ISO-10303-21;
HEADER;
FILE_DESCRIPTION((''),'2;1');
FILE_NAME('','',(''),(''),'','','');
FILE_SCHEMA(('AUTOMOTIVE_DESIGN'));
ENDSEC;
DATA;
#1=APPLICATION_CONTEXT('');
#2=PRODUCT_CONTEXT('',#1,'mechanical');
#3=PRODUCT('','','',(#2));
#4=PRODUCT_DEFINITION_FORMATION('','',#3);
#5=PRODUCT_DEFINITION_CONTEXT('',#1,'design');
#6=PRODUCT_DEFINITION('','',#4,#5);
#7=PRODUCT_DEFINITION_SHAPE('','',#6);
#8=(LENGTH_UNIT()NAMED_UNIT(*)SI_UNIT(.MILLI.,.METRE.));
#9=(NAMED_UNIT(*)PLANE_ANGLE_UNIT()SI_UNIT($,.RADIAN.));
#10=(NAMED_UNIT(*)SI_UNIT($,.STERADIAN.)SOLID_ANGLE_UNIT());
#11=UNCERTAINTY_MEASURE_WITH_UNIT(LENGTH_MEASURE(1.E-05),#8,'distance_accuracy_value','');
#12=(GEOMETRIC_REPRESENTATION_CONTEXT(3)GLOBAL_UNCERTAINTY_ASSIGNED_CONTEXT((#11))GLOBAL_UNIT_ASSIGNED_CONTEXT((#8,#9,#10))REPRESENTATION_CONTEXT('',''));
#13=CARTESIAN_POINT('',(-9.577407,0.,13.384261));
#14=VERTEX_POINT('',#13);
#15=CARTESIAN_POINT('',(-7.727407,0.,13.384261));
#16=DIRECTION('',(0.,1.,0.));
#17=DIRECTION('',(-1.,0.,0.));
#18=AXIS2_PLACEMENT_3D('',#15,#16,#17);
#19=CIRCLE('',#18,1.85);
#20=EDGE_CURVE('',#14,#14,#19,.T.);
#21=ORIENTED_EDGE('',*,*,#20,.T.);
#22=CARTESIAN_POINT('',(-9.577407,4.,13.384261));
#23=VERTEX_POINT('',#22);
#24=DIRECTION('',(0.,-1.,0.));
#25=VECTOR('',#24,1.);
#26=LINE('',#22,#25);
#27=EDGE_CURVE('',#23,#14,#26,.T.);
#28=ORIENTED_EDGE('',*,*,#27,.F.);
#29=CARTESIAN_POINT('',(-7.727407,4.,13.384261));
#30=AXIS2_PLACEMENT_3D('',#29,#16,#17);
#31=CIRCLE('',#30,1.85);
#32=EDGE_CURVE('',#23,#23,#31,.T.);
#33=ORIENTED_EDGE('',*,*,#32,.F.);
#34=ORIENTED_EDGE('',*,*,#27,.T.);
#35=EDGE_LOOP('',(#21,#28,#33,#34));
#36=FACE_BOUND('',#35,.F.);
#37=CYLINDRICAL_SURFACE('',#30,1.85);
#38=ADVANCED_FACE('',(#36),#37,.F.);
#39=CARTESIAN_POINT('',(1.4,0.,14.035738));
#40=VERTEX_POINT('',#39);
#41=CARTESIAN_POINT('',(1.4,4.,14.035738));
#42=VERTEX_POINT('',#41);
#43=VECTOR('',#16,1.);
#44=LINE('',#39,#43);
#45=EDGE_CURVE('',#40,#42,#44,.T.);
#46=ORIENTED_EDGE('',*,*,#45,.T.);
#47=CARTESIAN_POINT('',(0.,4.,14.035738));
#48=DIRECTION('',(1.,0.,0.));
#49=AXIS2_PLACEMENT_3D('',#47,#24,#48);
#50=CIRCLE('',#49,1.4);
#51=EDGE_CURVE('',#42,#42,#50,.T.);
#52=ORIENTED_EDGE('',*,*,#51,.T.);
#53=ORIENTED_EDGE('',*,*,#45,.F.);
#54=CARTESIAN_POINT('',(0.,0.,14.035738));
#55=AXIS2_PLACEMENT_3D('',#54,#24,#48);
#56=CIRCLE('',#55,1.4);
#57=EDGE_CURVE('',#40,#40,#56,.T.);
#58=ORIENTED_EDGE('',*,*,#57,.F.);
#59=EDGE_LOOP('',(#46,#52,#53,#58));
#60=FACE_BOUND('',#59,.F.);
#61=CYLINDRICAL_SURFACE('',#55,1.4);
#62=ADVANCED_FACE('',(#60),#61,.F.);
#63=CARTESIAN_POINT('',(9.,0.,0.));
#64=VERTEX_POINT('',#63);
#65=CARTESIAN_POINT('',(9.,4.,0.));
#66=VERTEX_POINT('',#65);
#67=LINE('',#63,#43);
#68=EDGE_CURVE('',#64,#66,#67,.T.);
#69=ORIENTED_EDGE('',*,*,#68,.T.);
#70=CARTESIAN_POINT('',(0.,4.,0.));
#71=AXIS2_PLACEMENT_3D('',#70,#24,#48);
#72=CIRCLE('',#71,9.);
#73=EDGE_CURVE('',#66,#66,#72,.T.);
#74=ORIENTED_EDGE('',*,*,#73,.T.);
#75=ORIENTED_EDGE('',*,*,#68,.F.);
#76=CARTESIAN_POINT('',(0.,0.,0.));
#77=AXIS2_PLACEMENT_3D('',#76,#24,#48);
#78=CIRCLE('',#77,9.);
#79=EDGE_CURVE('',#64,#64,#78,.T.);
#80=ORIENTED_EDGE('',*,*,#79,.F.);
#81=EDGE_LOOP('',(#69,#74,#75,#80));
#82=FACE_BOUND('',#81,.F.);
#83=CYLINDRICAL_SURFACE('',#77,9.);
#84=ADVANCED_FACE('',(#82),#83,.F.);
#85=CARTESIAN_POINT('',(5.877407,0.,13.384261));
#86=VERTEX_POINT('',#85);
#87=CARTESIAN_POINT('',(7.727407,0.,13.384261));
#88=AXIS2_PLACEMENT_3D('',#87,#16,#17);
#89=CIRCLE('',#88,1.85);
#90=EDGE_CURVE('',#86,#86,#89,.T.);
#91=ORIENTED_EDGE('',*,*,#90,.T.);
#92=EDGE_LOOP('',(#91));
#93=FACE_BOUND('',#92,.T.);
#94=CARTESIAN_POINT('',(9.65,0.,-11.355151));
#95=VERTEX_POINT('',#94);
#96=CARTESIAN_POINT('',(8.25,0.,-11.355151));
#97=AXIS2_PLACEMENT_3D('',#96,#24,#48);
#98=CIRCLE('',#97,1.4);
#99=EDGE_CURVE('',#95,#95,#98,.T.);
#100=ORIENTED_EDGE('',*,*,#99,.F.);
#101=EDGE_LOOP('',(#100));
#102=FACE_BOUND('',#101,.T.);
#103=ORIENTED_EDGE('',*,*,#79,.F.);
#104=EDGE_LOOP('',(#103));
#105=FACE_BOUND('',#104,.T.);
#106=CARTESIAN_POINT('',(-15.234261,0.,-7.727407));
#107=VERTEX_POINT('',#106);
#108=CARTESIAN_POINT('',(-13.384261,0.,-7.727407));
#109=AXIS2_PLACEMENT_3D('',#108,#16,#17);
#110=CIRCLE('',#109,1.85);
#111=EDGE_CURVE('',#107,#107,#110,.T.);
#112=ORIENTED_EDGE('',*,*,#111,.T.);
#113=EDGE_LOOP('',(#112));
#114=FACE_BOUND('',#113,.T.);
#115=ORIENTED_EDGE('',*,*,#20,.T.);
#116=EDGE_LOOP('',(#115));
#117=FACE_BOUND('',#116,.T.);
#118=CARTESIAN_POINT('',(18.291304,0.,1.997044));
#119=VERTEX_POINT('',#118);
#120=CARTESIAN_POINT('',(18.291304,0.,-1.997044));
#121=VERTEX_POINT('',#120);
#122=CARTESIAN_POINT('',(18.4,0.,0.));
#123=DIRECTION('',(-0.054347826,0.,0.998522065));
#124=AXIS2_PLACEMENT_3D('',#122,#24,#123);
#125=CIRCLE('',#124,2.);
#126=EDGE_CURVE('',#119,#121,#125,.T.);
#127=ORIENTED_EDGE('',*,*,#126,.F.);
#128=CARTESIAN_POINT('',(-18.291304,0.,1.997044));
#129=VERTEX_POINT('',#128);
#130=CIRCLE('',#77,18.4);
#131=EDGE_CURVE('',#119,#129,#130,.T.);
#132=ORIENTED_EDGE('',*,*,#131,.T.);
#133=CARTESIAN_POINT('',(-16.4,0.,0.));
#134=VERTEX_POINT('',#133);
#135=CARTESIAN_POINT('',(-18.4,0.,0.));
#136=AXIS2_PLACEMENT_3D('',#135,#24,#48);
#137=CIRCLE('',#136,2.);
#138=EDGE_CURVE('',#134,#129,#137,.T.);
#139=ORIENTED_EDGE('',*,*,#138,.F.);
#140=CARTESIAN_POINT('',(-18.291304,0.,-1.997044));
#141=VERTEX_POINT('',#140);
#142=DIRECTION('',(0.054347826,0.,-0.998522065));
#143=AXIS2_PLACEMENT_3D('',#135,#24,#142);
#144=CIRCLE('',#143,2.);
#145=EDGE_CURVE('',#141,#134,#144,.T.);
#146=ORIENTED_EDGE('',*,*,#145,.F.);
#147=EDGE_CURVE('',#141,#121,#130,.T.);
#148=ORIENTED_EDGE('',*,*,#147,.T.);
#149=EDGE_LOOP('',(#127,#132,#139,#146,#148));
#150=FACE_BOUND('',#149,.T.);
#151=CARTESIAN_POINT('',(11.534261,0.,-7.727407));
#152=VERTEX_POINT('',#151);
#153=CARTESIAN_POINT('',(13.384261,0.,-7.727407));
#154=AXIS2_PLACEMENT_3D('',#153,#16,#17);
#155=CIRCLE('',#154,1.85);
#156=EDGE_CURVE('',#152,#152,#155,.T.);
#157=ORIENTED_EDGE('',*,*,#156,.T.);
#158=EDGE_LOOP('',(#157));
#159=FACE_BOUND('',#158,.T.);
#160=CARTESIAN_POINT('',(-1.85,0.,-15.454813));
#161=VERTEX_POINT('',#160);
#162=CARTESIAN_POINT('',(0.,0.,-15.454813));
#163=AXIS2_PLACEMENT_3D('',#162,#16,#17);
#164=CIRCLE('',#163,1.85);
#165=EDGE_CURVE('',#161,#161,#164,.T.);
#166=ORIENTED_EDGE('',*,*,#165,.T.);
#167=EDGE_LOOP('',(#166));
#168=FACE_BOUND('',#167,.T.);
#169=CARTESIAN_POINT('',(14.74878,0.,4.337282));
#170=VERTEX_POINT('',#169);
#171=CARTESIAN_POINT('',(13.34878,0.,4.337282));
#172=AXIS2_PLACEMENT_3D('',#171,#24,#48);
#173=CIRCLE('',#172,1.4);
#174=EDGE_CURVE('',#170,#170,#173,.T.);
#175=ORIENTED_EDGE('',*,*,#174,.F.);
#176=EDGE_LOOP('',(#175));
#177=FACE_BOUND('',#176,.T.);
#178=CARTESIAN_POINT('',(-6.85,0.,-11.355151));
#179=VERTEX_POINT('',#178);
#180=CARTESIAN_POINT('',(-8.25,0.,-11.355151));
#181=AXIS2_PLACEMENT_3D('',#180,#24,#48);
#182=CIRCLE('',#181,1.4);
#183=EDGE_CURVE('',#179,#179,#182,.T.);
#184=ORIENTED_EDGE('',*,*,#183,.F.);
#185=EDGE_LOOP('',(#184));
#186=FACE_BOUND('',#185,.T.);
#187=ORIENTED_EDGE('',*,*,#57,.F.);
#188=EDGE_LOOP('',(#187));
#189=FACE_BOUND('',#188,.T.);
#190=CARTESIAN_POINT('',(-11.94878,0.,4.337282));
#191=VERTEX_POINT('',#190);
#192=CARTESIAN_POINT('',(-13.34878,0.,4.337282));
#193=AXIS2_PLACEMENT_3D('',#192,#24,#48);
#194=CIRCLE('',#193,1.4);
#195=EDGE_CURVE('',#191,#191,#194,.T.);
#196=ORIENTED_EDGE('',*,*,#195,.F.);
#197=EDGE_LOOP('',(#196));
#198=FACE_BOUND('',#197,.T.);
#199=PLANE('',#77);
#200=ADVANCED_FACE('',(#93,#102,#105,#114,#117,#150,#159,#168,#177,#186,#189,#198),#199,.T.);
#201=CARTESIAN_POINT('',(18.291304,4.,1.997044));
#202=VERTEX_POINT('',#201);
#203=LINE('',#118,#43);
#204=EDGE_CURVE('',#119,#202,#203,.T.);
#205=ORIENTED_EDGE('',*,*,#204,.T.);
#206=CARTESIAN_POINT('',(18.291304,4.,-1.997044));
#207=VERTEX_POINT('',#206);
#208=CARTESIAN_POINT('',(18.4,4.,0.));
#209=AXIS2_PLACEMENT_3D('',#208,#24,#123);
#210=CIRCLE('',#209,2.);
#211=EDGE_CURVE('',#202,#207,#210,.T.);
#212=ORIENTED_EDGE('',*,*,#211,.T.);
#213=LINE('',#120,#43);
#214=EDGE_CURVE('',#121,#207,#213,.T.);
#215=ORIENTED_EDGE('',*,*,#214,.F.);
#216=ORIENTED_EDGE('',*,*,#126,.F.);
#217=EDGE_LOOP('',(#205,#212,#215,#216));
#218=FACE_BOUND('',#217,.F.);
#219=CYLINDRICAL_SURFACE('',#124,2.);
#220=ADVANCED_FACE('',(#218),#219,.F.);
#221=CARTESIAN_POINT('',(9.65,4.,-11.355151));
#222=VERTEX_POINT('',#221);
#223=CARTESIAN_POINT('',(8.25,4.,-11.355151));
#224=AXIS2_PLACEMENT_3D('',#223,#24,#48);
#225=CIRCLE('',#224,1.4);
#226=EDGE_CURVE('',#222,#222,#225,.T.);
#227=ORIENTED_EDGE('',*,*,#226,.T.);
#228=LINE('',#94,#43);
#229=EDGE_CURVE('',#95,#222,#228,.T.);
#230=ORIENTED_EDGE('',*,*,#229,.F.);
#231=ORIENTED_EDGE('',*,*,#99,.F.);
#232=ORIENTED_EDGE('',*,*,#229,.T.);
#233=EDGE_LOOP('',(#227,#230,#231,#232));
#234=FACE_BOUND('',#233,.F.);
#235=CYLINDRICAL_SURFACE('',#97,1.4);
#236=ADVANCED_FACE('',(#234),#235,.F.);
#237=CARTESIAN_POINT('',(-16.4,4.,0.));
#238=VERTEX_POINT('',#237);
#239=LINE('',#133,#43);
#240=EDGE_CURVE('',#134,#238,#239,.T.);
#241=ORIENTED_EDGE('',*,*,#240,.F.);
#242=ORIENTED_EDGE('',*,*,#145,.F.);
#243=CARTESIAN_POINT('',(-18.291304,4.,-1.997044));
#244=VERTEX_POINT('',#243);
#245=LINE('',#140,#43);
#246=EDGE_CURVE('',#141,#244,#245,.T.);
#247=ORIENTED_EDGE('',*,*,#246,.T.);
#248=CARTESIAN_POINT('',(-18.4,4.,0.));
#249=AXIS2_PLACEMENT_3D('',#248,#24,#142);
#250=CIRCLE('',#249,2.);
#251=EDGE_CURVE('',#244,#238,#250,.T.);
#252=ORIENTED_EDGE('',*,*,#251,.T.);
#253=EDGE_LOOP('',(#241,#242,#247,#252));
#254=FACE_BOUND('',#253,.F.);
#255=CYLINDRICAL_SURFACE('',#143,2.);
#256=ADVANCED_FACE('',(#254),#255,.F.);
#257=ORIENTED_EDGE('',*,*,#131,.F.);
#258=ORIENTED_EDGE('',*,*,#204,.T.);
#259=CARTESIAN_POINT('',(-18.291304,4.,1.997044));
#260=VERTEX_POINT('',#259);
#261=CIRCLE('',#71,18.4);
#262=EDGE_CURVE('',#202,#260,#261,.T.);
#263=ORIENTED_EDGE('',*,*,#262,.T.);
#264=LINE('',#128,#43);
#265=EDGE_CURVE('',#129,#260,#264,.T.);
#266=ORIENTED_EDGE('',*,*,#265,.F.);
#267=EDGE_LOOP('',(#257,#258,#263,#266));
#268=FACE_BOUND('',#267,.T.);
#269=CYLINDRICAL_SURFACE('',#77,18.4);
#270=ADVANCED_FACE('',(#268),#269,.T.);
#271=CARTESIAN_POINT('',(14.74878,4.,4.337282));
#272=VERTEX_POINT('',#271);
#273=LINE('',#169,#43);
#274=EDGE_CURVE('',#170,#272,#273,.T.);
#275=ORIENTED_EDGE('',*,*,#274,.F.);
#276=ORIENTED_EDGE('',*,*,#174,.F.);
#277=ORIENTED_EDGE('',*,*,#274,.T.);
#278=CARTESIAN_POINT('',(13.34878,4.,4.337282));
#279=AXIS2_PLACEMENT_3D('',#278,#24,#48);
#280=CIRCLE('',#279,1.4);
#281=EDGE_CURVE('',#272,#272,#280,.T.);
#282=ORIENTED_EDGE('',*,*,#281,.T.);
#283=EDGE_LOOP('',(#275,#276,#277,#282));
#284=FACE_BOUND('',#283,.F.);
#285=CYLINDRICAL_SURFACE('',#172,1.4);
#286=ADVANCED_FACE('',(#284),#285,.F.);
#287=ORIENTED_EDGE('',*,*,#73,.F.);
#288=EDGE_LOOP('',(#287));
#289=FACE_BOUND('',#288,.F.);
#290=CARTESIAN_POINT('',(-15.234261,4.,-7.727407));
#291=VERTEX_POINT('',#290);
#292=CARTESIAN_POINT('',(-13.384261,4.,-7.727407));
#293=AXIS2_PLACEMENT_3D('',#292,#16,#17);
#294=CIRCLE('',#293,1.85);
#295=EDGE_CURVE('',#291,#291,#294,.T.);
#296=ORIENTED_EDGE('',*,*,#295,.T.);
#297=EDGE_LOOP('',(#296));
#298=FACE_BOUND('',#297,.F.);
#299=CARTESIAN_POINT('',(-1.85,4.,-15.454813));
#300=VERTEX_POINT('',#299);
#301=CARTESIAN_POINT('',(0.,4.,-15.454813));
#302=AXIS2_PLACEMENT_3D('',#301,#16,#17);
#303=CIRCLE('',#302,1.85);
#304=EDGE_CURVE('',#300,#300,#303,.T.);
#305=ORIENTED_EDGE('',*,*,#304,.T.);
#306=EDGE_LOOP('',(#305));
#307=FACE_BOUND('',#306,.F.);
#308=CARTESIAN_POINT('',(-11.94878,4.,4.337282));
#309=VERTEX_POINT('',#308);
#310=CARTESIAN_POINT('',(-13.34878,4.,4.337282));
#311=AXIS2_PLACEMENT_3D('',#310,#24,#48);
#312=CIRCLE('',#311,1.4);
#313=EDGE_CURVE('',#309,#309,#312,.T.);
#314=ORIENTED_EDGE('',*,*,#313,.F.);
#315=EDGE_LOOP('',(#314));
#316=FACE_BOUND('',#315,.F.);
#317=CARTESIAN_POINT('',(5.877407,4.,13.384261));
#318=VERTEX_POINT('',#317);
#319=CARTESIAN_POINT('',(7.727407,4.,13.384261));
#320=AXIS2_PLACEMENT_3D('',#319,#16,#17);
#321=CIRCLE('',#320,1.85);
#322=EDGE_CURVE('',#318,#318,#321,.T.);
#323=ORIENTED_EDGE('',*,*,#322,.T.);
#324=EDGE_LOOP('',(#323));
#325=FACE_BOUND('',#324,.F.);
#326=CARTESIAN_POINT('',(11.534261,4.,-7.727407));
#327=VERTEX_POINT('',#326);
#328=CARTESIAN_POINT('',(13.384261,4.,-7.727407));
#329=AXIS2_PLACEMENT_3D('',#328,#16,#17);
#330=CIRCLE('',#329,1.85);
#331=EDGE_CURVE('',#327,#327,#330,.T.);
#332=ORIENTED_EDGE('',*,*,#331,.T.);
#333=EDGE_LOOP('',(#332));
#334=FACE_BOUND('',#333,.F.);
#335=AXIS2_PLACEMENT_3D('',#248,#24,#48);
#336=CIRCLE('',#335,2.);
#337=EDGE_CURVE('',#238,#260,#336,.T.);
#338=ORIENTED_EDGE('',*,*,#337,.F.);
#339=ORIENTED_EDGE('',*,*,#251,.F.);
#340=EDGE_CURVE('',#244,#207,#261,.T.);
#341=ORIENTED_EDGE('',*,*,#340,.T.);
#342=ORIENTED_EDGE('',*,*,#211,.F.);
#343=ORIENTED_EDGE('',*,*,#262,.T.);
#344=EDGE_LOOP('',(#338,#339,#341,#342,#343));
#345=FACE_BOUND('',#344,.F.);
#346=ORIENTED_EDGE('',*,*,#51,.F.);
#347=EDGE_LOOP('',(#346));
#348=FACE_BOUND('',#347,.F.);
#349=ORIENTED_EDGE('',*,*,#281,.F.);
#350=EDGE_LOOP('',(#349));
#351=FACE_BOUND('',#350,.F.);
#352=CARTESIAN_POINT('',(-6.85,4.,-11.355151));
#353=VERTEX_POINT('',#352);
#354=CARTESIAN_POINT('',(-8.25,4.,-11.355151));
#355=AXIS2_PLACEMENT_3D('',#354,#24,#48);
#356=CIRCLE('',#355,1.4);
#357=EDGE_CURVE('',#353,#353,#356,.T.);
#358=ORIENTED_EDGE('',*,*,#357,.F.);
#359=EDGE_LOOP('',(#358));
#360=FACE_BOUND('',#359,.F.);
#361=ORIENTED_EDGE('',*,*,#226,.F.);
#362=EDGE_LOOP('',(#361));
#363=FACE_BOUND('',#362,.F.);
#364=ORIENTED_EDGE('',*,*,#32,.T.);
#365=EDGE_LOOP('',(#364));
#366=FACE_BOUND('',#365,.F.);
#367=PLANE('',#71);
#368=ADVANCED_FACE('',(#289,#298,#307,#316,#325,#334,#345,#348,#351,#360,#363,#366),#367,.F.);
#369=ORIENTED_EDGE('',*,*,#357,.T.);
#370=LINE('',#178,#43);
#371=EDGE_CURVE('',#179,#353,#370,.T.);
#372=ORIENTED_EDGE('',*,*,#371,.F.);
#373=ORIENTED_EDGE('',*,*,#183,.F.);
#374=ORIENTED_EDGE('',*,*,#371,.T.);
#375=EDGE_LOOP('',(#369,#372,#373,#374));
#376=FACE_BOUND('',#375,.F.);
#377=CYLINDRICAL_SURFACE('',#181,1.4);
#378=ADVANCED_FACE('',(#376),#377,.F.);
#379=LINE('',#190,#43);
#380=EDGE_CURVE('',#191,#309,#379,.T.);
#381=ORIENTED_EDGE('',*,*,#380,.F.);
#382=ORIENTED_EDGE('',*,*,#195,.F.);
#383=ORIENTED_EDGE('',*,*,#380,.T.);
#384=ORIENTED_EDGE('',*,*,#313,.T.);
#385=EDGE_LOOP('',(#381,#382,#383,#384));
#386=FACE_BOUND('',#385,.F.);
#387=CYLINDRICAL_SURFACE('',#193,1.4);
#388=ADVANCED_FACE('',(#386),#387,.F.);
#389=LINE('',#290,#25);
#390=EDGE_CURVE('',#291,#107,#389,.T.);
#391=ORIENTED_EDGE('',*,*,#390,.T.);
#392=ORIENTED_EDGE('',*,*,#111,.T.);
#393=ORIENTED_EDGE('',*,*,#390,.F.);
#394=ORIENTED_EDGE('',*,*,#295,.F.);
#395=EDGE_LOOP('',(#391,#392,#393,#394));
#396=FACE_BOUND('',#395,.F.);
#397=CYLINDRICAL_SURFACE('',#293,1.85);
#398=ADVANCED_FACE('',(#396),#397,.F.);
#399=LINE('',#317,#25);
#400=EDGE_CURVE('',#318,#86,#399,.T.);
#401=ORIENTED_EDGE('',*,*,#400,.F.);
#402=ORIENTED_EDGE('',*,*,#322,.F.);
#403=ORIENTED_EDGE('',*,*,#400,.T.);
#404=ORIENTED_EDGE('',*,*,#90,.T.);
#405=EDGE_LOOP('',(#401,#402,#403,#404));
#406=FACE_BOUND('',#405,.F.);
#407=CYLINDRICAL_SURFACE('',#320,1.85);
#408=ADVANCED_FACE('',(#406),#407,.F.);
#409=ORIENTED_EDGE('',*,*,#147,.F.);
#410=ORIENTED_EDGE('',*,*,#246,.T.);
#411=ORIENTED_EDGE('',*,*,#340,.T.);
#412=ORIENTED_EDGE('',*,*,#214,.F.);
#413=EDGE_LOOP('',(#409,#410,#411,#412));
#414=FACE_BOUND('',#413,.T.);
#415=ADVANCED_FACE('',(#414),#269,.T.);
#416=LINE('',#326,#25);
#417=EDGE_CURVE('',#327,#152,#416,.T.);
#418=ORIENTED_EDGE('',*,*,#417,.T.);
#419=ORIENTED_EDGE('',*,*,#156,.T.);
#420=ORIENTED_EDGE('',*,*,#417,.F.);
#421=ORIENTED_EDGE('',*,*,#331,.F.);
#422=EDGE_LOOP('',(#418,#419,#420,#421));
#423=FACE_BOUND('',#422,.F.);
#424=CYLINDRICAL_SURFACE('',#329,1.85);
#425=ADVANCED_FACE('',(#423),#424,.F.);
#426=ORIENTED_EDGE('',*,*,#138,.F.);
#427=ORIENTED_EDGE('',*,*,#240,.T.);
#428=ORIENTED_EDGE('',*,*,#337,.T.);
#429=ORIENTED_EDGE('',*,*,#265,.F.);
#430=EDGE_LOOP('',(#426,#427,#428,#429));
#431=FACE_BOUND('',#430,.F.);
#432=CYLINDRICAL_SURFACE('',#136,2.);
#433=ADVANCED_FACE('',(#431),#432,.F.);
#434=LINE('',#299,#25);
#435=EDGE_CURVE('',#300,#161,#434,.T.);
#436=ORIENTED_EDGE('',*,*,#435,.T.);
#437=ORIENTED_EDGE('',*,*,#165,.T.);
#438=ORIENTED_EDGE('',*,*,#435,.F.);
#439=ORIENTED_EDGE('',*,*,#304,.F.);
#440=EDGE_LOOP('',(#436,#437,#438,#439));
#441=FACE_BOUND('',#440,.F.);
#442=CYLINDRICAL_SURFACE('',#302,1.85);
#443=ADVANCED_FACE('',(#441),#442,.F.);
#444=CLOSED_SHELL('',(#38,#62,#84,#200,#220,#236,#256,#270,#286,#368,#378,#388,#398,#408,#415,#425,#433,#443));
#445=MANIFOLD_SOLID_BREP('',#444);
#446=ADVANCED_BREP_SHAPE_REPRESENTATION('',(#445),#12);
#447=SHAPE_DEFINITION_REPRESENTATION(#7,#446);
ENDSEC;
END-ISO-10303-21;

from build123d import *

# Parameters (mm, degrees)
F0_R     = 18.4
F0_R_2   = 1.4
F0_R_3   = 9
F1_DEPTH = 4
F2_R     = 1.85
F3_DEPTH = 25
F5_DEPTH = 25


with BuildPart() as f1:
    # F0 (on Front) → F1 (new body)
    with BuildSketch(Plane.XZ):
        Circle(F0_R)
        with Locations((-8.25, -11.3551508439)):
            Circle(F0_R_2, mode=Mode.SUBTRACT)
        with Locations((8.25, -11.3551508439)):
            Circle(F0_R_2, mode=Mode.SUBTRACT)
        with Locations((-13.3487804072, 4.337281675)):
            Circle(F0_R_2, mode=Mode.SUBTRACT)
        Circle(F0_R_3, mode=Mode.SUBTRACT)
        with Locations((13.3487804072, 4.337281675)):
            Circle(F0_R_2, mode=Mode.SUBTRACT)
        with Locations((0, 14.0357383378)):
            Circle(F0_R_2, mode=Mode.SUBTRACT)
    extrude(amount=-F1_DEPTH)

    # F2 (on face) → F3 (cut)
    with BuildSketch(Plane(origin=(0, 4, 0), x_dir=(-1, 0, 0), z_dir=(0, 1, 0))):
        with Locations((0, -15.4548132206)):
            Circle(F2_R)
        with Locations((13.3842608598, -7.7274066103)):
            Circle(F2_R)
        with Locations((-13.3842608598, -7.7274066103)):
            Circle(F2_R)
        with Locations((-7.7274066103, 13.3842608598)):
            Circle(F2_R)
        with Locations((7.7274066103, 13.3842608598)):
            Circle(F2_R)
    extrude(amount=-F3_DEPTH, mode=Mode.SUBTRACT)

    # F4 (on face) → F5 (cut)
    with BuildSketch(Plane.XZ):
        with BuildLine():
            ThreePointArc((-18.2913043478, -1.9970441295), (-16.9478651398, -1.3752470134), (-16.4, 0))
            ThreePointArc((-16.4, 0), (-16.9478651398, 1.3752470134), (-18.2913043478, 1.9970441295))
            ThreePointArc((-18.2913043478, 1.9970441295), (-18.4, 0), (-18.2913043478, -1.9970441295))
        make_face()
        with BuildLine():
            ThreePointArc((18.4, 0), (18.3728059915, 1), (18.2913043478, 1.9970441295))
            ThreePointArc((18.2913043478, 1.9970441295), (16.4, 0), (18.2913043478, -1.9970441295))
            ThreePointArc((18.2913043478, -1.9970441295), (18.3728059915, -1), (18.4, 0))
        make_face()
    extrude(amount=-F5_DEPTH, mode=Mode.SUBTRACT)


solid = f1.part
